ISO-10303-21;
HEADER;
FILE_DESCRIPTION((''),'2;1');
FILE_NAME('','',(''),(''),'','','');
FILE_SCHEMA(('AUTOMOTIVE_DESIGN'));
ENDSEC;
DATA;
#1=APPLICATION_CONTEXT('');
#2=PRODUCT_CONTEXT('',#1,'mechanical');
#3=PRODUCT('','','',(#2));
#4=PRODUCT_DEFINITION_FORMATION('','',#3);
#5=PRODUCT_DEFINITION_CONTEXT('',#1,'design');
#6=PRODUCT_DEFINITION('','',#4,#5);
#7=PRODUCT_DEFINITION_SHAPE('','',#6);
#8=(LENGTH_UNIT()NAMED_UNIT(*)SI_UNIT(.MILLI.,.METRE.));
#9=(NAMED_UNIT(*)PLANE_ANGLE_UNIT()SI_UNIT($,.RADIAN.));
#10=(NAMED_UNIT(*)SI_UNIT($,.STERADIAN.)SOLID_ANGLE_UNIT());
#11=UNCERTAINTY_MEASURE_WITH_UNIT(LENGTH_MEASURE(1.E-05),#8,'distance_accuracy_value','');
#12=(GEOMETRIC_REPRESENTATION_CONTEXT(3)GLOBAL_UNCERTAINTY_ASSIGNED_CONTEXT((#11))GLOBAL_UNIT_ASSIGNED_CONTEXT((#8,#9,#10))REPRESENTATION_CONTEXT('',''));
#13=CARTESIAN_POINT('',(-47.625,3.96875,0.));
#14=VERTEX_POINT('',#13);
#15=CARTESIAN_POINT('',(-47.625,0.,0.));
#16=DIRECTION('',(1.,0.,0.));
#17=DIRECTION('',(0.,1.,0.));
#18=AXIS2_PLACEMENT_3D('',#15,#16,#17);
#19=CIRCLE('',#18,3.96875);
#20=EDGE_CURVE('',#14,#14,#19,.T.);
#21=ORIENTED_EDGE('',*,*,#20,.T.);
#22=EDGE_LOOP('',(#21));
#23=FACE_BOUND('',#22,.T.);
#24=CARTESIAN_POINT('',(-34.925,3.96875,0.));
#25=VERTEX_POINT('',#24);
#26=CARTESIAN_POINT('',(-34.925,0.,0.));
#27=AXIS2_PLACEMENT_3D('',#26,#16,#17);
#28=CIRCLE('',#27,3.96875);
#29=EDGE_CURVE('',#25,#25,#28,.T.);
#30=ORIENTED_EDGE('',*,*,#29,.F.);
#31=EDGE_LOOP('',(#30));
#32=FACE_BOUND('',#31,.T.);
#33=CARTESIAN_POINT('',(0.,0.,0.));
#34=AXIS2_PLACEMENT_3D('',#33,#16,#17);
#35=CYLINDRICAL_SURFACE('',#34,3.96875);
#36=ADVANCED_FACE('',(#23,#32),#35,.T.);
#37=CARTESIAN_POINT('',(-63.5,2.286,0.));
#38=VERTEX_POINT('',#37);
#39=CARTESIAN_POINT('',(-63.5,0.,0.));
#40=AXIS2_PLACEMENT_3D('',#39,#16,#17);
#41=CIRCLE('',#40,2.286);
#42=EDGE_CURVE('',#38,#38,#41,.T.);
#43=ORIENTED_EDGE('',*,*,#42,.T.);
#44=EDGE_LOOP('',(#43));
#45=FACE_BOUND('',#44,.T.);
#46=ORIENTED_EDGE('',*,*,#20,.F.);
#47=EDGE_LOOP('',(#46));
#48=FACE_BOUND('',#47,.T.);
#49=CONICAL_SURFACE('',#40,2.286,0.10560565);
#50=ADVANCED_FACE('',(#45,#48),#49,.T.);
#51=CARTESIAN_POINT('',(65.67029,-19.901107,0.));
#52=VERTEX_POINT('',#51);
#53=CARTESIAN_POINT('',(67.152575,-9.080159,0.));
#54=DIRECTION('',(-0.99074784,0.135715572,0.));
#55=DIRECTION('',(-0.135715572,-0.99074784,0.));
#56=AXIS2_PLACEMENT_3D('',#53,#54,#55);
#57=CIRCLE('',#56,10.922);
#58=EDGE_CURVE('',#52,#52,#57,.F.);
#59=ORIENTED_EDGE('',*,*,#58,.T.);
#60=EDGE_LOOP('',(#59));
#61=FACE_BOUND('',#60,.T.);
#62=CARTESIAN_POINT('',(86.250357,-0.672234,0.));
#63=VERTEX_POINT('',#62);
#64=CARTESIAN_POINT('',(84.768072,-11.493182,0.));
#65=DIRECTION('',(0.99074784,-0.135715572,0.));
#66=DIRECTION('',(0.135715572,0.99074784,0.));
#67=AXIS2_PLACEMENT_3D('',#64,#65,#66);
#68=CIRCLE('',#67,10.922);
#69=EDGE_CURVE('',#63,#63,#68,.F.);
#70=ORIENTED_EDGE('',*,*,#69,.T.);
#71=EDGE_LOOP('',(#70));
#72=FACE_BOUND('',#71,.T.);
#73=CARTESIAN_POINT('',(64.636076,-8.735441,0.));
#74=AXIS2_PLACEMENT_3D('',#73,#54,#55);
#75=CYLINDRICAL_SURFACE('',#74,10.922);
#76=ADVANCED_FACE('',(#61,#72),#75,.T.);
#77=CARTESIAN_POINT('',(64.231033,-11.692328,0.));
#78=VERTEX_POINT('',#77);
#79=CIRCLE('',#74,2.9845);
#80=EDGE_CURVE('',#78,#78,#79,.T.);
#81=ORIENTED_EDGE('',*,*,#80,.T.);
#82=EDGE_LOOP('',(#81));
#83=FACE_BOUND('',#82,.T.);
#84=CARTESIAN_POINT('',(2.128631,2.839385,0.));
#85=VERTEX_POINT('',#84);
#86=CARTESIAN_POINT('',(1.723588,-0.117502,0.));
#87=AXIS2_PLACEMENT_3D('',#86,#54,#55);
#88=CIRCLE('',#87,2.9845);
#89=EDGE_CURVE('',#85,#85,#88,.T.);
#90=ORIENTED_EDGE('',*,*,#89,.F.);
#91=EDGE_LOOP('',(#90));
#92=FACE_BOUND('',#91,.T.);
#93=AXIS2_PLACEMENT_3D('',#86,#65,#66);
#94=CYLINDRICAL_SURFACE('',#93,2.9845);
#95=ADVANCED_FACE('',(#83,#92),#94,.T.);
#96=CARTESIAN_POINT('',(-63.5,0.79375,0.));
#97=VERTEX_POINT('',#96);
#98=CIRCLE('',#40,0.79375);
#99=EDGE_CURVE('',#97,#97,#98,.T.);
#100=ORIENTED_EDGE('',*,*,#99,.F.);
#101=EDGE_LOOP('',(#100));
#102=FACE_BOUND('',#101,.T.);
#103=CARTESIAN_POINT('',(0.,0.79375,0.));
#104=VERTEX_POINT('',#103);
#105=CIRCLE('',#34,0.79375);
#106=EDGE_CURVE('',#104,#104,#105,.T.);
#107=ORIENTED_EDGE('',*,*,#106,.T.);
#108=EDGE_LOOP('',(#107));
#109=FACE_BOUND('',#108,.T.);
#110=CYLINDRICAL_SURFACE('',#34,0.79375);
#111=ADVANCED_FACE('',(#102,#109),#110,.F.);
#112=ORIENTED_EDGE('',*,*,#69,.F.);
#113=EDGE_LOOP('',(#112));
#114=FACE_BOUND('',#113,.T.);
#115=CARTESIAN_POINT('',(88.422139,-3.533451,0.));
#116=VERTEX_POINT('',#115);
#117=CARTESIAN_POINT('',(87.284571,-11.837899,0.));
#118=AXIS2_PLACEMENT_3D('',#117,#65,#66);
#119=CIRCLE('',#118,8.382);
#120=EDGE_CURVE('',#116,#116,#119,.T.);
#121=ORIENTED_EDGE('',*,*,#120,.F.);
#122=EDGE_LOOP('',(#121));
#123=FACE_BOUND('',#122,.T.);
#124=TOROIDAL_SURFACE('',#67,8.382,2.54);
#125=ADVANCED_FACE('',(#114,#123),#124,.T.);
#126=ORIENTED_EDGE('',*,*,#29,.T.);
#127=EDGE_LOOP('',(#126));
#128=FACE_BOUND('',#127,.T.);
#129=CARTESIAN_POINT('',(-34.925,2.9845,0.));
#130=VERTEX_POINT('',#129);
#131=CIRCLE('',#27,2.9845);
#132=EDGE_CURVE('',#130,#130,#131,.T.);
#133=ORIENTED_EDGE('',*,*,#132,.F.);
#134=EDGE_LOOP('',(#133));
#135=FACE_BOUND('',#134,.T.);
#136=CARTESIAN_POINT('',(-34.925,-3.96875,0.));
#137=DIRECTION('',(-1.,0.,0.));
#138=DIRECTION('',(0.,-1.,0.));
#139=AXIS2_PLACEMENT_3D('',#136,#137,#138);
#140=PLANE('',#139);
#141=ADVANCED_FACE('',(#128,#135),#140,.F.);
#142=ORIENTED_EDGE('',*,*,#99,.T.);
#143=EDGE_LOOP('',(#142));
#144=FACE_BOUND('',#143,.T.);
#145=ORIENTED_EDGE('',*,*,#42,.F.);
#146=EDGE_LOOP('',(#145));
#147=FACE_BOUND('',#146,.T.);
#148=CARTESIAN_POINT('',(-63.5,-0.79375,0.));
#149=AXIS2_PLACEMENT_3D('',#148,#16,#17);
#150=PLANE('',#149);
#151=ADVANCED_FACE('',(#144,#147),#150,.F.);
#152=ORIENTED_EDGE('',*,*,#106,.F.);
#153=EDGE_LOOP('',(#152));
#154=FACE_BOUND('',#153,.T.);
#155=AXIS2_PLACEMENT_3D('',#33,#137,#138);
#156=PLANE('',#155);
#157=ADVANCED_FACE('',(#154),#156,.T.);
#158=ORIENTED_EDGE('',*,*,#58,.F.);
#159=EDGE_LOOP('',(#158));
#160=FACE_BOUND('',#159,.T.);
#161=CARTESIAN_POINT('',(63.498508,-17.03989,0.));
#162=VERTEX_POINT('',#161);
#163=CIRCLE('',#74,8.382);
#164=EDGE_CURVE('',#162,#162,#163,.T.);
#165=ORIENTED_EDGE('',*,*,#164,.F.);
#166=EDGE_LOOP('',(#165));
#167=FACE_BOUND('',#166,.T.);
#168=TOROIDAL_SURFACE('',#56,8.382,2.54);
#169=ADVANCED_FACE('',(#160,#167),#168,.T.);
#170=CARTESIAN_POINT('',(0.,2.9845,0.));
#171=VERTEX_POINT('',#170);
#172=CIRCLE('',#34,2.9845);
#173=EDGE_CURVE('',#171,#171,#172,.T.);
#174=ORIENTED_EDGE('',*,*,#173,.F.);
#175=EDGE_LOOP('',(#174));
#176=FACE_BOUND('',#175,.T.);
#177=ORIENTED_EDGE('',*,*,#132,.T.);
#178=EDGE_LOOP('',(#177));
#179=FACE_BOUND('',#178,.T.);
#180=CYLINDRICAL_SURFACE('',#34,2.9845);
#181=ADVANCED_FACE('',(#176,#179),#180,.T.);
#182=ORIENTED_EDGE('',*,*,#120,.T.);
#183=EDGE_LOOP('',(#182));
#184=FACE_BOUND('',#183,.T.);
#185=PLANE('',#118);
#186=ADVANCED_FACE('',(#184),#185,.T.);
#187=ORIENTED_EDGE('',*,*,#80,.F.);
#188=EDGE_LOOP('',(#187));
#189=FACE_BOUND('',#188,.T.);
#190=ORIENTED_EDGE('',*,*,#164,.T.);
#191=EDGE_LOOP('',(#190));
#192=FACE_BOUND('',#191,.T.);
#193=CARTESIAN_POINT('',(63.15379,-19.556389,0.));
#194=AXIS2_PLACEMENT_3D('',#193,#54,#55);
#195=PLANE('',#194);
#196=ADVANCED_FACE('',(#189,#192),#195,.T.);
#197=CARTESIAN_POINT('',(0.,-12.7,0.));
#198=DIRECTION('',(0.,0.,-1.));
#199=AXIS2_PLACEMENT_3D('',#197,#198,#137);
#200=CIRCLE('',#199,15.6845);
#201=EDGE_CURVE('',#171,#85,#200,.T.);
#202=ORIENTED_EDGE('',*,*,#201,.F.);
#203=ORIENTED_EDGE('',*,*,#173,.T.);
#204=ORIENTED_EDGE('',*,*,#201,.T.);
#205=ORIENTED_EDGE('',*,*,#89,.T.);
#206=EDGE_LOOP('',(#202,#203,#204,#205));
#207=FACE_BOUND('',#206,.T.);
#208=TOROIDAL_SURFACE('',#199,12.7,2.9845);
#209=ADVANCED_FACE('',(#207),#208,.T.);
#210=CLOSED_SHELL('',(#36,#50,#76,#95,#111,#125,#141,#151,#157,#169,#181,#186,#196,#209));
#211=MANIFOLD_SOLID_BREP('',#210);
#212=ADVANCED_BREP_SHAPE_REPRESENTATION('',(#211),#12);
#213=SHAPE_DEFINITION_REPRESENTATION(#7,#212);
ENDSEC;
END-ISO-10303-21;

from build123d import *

# Parameters (mm, degrees)
SWEEP1_PROFILE_R = 2.9845
FILLET1_R        = 2.54


with BuildPart() as part:
    # Sketch1 → Revolve1 (revolve)
    with BuildSketch(Plane.XY):
        Polygon((-63.5, -0.79375), (-63.5, -2.286), (-47.625, -3.96875), (-34.925, -3.96875), (-34.925, -2.9845), (0, -2.9845), (0, -0.79375), align=None)
    revolve(axis=Axis((0, 0, 0), (-1, 0, 0)))

    # Sweep1: sweep along a path in Sketch2
    with BuildLine(Plane.XY) as sweep1_path:
        Line((64.63607564, -8.735441276), (1.72358777, -0.117502426))
        ThreePointArc((1.72358777, -0.117502426), (0.863794191, -0.029409659), (0, 0))
    # Sweep1 profile (on start of the path) → Sweep1 (sweep)
    with BuildSketch(Plane(origin=(64.63607564, -8.735441276, 0), x_dir=(-0.135715572, -0.99074784, 0), z_dir=(-0.99074784, 0.135715572, 0))):
        Circle(SWEEP1_PROFILE_R)
    sweep(path=sweep1_path.line)

    # Sketch15 → Revolve2 (revolve)
    with BuildSketch(Plane.XY):
        Polygon((87.284571273, -11.837899261), (85.802285791, -22.658847175), (63.153790158, -19.556389189), (64.63607564, -8.735441276), align=None)
    revolve(axis=Axis((64.63607564, -8.735441276, 0), (0.99074784, -0.135715572, 0)))

    # Fillet1
    fillet1_edges = [part.edges().sort_by_distance(p)[0] for p in [
        (88.766856755, -1.016951348, 0),
        (66.118361122, 2.085506638, 0),
    ]]
    fillet(fillet1_edges, radius=FILLET1_R)


solid = part.part
